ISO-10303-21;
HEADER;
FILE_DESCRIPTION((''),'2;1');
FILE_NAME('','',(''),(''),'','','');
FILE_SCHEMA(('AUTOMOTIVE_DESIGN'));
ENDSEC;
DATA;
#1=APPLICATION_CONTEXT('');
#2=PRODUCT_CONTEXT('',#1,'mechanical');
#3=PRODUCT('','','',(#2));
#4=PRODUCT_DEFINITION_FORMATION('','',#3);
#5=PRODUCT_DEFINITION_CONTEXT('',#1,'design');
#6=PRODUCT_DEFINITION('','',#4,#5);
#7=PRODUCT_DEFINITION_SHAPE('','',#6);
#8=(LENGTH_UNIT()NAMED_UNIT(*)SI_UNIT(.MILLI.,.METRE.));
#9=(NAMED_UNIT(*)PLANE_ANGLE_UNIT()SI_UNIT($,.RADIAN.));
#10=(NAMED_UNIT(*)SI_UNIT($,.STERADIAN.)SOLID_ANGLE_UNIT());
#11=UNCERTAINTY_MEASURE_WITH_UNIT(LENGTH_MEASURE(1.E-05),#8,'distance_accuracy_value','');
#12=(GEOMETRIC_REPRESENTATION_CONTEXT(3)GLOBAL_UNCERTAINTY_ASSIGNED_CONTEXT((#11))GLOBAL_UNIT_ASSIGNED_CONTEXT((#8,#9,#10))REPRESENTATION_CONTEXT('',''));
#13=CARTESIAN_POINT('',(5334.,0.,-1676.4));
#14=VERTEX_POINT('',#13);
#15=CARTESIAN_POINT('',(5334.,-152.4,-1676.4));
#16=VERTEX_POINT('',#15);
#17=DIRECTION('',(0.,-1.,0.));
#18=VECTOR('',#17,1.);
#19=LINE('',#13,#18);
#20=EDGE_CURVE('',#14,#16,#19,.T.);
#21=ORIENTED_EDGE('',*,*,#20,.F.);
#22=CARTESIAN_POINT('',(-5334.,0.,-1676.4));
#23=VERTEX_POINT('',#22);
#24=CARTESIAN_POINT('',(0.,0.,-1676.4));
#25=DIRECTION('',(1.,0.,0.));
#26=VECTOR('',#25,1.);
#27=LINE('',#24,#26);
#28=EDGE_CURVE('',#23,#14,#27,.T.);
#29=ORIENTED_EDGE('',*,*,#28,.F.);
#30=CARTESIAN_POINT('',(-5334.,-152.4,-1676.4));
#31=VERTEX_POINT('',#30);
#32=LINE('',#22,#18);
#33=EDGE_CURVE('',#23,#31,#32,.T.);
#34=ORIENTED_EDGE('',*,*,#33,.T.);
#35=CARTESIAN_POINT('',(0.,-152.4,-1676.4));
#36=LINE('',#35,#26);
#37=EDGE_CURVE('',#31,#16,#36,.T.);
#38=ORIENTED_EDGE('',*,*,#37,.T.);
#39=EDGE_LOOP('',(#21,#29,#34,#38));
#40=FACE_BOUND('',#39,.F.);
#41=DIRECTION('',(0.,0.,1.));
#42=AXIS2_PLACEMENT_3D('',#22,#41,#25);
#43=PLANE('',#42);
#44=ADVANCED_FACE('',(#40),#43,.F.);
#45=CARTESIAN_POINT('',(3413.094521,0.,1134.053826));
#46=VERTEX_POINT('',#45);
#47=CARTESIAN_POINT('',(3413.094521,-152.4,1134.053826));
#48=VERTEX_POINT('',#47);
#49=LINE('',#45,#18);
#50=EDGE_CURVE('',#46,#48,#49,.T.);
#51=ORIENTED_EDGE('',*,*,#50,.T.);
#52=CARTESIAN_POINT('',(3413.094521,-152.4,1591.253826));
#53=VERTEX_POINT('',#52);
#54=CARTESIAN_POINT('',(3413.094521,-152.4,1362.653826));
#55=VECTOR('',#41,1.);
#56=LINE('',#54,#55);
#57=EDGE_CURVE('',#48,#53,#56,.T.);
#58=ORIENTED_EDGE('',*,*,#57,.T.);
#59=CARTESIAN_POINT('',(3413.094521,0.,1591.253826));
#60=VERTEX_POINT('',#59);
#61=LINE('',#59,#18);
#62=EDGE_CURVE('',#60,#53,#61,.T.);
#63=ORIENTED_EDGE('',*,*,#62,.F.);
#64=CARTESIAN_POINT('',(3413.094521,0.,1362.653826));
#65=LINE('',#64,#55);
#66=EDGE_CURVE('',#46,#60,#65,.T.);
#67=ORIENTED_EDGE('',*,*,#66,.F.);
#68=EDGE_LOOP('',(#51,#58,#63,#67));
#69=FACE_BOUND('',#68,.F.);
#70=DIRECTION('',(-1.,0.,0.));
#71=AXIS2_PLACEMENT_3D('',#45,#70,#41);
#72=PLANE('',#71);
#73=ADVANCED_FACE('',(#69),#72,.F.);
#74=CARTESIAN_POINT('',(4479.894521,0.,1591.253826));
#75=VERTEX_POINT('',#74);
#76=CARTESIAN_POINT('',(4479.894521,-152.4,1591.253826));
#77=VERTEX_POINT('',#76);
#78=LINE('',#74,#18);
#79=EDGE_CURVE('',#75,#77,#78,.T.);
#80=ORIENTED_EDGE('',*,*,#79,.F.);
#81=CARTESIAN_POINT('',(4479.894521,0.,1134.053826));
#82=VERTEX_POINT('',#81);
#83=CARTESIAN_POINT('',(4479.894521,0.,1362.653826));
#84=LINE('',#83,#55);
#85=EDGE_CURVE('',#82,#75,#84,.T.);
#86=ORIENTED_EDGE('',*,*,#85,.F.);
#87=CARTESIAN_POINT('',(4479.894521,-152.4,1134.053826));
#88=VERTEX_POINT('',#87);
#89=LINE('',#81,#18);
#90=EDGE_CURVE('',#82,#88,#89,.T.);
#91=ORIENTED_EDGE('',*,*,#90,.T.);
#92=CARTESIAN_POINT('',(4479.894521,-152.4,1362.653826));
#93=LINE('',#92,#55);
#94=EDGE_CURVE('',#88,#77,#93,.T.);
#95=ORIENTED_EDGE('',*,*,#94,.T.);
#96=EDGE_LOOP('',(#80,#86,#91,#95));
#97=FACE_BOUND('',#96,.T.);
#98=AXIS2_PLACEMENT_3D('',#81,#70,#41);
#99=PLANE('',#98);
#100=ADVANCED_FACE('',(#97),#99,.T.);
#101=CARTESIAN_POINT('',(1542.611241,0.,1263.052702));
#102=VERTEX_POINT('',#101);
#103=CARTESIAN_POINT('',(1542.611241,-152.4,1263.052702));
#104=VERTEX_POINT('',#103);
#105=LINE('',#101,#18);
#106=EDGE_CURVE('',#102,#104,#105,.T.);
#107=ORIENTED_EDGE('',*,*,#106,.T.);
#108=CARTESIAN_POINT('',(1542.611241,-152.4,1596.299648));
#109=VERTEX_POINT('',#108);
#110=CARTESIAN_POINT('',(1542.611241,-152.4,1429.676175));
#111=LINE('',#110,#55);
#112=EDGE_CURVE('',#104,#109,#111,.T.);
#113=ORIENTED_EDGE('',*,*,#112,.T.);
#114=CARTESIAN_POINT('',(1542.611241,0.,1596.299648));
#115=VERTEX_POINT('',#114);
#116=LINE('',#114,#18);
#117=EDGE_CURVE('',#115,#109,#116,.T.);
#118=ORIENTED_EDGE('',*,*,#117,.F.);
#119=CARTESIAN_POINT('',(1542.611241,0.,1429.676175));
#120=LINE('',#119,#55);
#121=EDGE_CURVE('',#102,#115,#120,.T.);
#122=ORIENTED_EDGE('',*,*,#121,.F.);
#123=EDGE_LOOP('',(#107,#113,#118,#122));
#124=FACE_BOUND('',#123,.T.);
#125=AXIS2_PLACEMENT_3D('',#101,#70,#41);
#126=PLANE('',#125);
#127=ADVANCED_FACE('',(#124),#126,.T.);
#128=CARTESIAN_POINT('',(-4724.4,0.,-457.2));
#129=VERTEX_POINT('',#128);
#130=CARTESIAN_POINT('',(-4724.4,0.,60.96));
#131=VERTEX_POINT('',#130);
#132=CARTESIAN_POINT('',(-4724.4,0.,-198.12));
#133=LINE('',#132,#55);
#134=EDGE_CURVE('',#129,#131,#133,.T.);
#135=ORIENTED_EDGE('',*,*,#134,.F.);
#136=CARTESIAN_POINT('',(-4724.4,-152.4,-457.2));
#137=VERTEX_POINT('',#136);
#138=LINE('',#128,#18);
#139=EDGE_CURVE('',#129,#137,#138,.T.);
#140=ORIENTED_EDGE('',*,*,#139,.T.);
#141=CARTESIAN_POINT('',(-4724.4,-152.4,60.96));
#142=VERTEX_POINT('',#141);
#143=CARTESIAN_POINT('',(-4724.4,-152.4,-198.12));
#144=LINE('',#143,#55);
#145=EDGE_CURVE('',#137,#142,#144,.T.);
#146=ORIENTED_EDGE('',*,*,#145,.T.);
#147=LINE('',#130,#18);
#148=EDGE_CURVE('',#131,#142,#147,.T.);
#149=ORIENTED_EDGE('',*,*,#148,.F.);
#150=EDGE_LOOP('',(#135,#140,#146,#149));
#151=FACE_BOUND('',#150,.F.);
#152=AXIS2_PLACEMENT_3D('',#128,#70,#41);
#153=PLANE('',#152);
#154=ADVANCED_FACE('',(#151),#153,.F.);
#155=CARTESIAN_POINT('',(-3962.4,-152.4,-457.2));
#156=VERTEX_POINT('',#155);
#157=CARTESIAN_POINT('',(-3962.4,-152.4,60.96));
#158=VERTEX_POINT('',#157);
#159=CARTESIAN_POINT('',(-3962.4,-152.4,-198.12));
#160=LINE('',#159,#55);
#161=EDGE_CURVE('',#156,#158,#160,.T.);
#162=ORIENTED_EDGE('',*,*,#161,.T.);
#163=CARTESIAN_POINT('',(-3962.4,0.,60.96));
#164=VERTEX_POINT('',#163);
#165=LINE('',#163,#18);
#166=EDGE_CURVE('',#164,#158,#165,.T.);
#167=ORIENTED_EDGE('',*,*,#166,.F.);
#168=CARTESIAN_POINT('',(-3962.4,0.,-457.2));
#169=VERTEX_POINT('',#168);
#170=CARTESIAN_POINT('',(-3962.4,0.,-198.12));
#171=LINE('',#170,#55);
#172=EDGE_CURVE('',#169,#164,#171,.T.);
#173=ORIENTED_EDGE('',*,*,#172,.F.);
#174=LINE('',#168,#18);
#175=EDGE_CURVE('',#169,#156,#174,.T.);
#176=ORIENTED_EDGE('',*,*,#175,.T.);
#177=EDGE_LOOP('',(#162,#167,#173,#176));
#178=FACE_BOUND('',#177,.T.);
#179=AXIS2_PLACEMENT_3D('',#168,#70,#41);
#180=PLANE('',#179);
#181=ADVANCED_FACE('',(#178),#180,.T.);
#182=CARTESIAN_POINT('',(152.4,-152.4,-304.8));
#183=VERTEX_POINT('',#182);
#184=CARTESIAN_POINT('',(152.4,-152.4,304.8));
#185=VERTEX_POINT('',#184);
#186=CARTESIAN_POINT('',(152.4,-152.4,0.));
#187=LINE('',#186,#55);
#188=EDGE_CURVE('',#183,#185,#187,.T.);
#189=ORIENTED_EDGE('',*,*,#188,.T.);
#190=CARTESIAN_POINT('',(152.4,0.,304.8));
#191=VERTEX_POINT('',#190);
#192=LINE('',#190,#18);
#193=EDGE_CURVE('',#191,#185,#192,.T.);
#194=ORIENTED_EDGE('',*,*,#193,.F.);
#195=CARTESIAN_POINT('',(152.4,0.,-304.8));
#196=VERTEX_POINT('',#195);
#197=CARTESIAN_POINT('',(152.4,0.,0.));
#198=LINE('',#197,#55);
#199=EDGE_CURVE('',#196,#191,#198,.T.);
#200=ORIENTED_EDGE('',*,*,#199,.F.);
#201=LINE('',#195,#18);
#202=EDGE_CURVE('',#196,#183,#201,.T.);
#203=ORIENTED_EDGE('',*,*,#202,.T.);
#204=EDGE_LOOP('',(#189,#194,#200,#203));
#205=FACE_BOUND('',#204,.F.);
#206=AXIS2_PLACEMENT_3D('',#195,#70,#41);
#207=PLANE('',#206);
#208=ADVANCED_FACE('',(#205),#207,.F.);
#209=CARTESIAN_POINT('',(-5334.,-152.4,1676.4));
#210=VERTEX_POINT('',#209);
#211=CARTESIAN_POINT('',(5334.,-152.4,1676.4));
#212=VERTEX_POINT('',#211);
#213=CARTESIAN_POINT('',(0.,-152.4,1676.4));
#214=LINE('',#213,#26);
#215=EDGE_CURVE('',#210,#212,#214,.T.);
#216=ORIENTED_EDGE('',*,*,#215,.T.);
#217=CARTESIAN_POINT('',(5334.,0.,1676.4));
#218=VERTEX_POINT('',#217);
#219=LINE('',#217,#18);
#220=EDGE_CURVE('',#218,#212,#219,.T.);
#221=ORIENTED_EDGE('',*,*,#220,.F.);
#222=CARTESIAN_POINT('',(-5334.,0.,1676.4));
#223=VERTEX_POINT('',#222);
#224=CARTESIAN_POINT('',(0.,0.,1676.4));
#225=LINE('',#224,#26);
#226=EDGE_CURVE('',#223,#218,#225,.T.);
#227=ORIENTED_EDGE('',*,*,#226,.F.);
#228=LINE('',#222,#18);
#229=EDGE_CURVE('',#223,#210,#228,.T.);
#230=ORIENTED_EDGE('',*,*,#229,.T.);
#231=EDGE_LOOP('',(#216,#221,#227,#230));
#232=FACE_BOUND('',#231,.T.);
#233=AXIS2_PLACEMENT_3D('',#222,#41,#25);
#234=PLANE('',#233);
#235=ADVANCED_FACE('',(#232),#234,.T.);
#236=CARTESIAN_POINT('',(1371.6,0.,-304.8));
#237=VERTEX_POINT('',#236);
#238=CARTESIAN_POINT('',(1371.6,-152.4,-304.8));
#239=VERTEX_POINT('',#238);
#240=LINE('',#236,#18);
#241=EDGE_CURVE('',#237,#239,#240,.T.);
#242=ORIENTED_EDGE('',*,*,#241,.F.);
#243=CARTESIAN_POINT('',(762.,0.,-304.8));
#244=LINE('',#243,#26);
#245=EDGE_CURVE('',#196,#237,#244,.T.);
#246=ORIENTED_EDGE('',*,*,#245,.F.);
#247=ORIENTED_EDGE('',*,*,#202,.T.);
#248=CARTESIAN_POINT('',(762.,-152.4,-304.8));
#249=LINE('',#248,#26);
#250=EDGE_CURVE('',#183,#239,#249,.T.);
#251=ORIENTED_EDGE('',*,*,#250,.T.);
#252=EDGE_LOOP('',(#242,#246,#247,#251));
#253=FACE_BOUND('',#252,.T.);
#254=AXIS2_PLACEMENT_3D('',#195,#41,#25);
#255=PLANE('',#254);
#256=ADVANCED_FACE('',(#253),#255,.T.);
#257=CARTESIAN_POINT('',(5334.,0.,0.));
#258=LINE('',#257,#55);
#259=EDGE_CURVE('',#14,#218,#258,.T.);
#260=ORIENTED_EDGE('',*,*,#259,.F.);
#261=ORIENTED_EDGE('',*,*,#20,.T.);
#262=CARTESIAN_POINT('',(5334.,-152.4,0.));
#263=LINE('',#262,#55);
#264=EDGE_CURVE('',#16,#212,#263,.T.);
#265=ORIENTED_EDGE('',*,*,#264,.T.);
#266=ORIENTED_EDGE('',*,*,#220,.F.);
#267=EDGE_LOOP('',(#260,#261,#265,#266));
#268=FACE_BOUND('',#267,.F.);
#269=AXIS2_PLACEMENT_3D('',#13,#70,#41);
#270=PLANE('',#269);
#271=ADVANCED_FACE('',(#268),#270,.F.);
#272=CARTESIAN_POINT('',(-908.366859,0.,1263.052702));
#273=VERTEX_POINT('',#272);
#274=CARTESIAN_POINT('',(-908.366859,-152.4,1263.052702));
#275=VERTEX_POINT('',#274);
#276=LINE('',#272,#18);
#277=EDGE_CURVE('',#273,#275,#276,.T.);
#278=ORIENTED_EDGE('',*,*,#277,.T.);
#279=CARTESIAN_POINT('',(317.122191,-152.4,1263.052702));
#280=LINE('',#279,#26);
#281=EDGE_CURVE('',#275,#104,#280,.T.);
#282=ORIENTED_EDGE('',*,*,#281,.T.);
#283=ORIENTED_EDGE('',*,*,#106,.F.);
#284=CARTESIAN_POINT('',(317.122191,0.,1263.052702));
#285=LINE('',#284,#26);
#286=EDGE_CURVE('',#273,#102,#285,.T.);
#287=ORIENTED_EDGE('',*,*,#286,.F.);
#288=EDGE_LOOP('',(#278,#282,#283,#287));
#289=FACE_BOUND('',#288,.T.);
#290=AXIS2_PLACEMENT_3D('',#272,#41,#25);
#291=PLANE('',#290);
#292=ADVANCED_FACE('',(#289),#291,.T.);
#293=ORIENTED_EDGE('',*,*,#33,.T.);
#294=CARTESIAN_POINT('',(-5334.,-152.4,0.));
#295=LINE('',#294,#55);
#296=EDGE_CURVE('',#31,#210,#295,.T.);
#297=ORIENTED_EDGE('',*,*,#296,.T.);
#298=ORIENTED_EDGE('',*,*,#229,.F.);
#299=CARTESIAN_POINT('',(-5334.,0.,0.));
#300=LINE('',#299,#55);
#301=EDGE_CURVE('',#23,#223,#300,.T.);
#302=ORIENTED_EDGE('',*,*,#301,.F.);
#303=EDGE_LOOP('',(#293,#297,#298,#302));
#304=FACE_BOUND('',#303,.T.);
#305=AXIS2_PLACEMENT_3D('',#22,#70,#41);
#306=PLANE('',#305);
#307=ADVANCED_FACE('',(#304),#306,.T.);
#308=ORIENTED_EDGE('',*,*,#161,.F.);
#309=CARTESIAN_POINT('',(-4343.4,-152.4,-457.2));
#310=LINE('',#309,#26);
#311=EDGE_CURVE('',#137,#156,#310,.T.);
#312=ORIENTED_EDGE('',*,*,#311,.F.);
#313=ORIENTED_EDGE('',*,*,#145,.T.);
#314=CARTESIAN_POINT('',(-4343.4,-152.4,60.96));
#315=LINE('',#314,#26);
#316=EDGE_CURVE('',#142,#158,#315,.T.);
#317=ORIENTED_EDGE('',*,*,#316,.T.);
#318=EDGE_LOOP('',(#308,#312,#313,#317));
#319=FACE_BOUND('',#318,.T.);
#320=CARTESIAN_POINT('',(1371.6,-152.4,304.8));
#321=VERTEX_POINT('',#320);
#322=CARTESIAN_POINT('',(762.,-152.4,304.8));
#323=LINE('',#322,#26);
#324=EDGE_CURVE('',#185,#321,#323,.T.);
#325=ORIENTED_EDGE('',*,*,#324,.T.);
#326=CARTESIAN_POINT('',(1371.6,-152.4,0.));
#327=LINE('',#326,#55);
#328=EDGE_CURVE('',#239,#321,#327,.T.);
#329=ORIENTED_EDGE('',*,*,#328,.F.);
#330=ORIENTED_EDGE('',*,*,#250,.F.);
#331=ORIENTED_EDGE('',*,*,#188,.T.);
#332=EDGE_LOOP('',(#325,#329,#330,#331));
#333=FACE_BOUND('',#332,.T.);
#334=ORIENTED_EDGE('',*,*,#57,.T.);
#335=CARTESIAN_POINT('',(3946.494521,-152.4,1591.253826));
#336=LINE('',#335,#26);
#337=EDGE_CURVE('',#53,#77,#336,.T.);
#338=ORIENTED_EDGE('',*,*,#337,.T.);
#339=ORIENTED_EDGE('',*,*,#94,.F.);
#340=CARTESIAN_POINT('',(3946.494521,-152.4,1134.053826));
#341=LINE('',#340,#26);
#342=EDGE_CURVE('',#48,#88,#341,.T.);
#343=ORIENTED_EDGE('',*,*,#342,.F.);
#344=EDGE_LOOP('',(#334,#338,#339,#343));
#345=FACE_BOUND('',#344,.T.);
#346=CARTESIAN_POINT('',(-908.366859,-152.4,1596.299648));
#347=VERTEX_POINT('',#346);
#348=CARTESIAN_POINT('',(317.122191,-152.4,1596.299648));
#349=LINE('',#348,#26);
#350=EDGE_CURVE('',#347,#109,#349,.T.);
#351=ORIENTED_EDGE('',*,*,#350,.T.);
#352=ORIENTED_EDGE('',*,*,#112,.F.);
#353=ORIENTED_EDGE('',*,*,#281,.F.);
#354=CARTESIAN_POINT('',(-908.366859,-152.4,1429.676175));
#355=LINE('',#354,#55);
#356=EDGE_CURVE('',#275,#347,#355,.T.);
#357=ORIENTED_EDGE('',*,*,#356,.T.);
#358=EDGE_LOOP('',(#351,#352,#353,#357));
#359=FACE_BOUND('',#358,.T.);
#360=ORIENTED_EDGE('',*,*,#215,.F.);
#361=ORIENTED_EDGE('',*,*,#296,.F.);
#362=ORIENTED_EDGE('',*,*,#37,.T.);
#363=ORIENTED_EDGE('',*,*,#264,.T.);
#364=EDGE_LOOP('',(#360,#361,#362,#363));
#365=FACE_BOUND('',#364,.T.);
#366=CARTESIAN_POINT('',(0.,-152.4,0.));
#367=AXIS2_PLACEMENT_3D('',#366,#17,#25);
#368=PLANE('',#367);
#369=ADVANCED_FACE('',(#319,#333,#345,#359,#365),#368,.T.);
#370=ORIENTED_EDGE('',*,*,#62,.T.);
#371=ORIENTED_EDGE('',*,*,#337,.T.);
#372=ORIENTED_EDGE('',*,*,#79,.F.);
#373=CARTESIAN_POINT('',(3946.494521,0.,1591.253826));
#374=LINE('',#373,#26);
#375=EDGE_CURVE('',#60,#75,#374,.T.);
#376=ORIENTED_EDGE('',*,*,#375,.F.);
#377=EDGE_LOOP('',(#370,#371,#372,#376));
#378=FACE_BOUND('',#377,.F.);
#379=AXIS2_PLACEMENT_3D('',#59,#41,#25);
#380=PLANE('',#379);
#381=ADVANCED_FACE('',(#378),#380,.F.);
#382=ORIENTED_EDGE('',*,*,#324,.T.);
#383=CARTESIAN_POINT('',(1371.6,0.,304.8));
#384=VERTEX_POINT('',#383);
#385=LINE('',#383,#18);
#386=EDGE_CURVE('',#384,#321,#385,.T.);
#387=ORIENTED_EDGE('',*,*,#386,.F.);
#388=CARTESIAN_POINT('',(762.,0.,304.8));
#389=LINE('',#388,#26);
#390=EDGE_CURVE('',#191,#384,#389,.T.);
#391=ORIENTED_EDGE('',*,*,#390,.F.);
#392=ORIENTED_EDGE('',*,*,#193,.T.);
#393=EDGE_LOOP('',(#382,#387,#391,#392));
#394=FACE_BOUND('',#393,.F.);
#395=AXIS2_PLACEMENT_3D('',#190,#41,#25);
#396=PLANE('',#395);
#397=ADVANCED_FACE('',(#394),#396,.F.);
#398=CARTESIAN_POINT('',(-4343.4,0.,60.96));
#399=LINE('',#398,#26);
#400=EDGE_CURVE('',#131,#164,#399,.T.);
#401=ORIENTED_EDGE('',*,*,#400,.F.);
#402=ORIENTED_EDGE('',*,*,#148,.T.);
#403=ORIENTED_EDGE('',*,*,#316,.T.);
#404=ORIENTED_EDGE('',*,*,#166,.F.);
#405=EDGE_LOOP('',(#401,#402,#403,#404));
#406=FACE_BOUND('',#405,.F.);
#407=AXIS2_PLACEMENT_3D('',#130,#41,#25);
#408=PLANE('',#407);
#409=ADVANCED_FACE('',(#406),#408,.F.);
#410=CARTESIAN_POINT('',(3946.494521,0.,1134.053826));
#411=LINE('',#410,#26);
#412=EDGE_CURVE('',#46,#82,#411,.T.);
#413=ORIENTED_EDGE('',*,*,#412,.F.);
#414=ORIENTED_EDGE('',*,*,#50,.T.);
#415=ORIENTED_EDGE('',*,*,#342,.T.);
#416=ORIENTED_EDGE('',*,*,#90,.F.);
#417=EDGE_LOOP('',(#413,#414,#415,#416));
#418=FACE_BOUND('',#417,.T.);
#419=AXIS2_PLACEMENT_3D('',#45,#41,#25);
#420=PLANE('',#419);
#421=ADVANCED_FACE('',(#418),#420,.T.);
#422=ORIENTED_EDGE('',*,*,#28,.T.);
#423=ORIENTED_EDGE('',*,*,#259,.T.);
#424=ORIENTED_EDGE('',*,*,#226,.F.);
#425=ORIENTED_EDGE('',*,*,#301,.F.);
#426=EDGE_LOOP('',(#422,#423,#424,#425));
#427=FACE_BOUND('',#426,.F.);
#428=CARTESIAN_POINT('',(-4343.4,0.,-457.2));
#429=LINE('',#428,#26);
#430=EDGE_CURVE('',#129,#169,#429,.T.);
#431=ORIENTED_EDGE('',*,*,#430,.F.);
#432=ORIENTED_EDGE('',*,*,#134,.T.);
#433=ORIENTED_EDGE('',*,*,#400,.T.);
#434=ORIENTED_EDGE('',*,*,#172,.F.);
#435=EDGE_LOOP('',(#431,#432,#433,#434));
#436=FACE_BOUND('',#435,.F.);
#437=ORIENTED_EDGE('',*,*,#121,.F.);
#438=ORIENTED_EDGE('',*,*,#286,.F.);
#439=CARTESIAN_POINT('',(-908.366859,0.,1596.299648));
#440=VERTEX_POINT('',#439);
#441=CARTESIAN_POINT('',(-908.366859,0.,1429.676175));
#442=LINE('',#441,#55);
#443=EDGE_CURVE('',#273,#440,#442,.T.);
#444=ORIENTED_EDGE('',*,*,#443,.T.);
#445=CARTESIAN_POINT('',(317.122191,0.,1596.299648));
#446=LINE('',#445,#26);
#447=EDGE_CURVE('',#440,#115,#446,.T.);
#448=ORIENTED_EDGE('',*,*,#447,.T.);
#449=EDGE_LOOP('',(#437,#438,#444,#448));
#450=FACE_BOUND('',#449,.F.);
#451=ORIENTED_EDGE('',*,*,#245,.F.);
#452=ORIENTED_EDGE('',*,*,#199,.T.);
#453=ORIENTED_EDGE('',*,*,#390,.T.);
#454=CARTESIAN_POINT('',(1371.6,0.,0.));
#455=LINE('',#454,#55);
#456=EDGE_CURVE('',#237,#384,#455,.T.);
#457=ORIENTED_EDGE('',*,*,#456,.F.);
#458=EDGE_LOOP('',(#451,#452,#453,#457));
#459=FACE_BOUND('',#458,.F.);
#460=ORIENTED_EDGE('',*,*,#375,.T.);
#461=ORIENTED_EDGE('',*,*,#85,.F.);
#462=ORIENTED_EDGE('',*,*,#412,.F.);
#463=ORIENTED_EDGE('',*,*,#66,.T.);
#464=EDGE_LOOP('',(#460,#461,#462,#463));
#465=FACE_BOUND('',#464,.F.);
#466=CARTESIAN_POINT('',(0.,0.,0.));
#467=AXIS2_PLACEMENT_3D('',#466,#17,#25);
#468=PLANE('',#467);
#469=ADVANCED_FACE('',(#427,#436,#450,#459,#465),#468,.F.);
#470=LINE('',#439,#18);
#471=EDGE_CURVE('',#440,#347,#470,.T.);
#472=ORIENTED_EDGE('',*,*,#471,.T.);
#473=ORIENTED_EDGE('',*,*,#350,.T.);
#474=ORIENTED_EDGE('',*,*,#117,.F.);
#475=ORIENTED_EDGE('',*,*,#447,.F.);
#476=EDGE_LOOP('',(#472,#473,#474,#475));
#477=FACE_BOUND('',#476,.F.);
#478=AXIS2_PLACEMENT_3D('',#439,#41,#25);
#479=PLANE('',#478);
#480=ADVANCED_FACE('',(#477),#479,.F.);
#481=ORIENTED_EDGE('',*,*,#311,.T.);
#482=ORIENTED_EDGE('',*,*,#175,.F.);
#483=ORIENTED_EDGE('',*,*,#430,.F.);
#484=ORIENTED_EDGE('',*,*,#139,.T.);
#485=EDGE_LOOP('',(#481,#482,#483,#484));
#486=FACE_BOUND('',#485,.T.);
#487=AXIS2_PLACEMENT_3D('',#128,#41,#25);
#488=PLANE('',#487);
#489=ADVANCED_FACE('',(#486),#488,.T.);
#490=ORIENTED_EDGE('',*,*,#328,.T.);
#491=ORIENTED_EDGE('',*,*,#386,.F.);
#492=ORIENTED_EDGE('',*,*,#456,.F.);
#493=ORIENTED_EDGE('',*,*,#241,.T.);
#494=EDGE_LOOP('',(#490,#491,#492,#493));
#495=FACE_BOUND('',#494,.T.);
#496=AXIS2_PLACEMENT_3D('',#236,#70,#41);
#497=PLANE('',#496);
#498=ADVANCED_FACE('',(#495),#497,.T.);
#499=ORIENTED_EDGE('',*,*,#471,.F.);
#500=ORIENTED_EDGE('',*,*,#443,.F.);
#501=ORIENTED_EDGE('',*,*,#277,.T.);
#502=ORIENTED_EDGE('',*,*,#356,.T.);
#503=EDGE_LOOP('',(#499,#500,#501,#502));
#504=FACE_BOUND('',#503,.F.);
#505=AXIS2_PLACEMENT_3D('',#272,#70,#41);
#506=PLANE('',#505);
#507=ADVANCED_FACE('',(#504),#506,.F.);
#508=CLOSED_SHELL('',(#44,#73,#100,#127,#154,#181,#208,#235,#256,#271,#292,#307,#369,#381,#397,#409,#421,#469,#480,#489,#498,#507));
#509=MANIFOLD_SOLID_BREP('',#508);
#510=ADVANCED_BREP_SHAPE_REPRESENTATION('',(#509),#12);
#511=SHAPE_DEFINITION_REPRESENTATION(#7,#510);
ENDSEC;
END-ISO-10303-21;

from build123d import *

# Parameters (mm, degrees)
F0_W     = 10668
F0_H     = 3352.8
F0_W_2   = 762
F0_H_2   = 518.16
F0_W_3   = 1219.2
F0_H_3   = 609.6
F0_W_4   = 2450.9781
F0_H_4   = 333.246946
F0_W_5   = 1066.8
F0_H_5   = 457.2
F1_DEPTH = 152.4


with BuildPart() as f1:
    # F0 (on Front) → F1 (new body)
    with BuildSketch(Plane.XZ):
        Rectangle(F0_W, F0_H)
        with Locations((-4343.4, -198.12)):
            Rectangle(F0_W_2, F0_H_2, mode=Mode.SUBTRACT)
        with Locations((762, 0)):
            Rectangle(F0_W_3, F0_H_3, mode=Mode.SUBTRACT)
        with Locations((317.122191, 1429.676175)):
            Rectangle(F0_W_4, F0_H_4, mode=Mode.SUBTRACT)
        with Locations((3946.494521, 1362.653826)):
            Rectangle(F0_W_5, F0_H_5, mode=Mode.SUBTRACT)
    extrude(amount=F1_DEPTH)


solid = f1.part
